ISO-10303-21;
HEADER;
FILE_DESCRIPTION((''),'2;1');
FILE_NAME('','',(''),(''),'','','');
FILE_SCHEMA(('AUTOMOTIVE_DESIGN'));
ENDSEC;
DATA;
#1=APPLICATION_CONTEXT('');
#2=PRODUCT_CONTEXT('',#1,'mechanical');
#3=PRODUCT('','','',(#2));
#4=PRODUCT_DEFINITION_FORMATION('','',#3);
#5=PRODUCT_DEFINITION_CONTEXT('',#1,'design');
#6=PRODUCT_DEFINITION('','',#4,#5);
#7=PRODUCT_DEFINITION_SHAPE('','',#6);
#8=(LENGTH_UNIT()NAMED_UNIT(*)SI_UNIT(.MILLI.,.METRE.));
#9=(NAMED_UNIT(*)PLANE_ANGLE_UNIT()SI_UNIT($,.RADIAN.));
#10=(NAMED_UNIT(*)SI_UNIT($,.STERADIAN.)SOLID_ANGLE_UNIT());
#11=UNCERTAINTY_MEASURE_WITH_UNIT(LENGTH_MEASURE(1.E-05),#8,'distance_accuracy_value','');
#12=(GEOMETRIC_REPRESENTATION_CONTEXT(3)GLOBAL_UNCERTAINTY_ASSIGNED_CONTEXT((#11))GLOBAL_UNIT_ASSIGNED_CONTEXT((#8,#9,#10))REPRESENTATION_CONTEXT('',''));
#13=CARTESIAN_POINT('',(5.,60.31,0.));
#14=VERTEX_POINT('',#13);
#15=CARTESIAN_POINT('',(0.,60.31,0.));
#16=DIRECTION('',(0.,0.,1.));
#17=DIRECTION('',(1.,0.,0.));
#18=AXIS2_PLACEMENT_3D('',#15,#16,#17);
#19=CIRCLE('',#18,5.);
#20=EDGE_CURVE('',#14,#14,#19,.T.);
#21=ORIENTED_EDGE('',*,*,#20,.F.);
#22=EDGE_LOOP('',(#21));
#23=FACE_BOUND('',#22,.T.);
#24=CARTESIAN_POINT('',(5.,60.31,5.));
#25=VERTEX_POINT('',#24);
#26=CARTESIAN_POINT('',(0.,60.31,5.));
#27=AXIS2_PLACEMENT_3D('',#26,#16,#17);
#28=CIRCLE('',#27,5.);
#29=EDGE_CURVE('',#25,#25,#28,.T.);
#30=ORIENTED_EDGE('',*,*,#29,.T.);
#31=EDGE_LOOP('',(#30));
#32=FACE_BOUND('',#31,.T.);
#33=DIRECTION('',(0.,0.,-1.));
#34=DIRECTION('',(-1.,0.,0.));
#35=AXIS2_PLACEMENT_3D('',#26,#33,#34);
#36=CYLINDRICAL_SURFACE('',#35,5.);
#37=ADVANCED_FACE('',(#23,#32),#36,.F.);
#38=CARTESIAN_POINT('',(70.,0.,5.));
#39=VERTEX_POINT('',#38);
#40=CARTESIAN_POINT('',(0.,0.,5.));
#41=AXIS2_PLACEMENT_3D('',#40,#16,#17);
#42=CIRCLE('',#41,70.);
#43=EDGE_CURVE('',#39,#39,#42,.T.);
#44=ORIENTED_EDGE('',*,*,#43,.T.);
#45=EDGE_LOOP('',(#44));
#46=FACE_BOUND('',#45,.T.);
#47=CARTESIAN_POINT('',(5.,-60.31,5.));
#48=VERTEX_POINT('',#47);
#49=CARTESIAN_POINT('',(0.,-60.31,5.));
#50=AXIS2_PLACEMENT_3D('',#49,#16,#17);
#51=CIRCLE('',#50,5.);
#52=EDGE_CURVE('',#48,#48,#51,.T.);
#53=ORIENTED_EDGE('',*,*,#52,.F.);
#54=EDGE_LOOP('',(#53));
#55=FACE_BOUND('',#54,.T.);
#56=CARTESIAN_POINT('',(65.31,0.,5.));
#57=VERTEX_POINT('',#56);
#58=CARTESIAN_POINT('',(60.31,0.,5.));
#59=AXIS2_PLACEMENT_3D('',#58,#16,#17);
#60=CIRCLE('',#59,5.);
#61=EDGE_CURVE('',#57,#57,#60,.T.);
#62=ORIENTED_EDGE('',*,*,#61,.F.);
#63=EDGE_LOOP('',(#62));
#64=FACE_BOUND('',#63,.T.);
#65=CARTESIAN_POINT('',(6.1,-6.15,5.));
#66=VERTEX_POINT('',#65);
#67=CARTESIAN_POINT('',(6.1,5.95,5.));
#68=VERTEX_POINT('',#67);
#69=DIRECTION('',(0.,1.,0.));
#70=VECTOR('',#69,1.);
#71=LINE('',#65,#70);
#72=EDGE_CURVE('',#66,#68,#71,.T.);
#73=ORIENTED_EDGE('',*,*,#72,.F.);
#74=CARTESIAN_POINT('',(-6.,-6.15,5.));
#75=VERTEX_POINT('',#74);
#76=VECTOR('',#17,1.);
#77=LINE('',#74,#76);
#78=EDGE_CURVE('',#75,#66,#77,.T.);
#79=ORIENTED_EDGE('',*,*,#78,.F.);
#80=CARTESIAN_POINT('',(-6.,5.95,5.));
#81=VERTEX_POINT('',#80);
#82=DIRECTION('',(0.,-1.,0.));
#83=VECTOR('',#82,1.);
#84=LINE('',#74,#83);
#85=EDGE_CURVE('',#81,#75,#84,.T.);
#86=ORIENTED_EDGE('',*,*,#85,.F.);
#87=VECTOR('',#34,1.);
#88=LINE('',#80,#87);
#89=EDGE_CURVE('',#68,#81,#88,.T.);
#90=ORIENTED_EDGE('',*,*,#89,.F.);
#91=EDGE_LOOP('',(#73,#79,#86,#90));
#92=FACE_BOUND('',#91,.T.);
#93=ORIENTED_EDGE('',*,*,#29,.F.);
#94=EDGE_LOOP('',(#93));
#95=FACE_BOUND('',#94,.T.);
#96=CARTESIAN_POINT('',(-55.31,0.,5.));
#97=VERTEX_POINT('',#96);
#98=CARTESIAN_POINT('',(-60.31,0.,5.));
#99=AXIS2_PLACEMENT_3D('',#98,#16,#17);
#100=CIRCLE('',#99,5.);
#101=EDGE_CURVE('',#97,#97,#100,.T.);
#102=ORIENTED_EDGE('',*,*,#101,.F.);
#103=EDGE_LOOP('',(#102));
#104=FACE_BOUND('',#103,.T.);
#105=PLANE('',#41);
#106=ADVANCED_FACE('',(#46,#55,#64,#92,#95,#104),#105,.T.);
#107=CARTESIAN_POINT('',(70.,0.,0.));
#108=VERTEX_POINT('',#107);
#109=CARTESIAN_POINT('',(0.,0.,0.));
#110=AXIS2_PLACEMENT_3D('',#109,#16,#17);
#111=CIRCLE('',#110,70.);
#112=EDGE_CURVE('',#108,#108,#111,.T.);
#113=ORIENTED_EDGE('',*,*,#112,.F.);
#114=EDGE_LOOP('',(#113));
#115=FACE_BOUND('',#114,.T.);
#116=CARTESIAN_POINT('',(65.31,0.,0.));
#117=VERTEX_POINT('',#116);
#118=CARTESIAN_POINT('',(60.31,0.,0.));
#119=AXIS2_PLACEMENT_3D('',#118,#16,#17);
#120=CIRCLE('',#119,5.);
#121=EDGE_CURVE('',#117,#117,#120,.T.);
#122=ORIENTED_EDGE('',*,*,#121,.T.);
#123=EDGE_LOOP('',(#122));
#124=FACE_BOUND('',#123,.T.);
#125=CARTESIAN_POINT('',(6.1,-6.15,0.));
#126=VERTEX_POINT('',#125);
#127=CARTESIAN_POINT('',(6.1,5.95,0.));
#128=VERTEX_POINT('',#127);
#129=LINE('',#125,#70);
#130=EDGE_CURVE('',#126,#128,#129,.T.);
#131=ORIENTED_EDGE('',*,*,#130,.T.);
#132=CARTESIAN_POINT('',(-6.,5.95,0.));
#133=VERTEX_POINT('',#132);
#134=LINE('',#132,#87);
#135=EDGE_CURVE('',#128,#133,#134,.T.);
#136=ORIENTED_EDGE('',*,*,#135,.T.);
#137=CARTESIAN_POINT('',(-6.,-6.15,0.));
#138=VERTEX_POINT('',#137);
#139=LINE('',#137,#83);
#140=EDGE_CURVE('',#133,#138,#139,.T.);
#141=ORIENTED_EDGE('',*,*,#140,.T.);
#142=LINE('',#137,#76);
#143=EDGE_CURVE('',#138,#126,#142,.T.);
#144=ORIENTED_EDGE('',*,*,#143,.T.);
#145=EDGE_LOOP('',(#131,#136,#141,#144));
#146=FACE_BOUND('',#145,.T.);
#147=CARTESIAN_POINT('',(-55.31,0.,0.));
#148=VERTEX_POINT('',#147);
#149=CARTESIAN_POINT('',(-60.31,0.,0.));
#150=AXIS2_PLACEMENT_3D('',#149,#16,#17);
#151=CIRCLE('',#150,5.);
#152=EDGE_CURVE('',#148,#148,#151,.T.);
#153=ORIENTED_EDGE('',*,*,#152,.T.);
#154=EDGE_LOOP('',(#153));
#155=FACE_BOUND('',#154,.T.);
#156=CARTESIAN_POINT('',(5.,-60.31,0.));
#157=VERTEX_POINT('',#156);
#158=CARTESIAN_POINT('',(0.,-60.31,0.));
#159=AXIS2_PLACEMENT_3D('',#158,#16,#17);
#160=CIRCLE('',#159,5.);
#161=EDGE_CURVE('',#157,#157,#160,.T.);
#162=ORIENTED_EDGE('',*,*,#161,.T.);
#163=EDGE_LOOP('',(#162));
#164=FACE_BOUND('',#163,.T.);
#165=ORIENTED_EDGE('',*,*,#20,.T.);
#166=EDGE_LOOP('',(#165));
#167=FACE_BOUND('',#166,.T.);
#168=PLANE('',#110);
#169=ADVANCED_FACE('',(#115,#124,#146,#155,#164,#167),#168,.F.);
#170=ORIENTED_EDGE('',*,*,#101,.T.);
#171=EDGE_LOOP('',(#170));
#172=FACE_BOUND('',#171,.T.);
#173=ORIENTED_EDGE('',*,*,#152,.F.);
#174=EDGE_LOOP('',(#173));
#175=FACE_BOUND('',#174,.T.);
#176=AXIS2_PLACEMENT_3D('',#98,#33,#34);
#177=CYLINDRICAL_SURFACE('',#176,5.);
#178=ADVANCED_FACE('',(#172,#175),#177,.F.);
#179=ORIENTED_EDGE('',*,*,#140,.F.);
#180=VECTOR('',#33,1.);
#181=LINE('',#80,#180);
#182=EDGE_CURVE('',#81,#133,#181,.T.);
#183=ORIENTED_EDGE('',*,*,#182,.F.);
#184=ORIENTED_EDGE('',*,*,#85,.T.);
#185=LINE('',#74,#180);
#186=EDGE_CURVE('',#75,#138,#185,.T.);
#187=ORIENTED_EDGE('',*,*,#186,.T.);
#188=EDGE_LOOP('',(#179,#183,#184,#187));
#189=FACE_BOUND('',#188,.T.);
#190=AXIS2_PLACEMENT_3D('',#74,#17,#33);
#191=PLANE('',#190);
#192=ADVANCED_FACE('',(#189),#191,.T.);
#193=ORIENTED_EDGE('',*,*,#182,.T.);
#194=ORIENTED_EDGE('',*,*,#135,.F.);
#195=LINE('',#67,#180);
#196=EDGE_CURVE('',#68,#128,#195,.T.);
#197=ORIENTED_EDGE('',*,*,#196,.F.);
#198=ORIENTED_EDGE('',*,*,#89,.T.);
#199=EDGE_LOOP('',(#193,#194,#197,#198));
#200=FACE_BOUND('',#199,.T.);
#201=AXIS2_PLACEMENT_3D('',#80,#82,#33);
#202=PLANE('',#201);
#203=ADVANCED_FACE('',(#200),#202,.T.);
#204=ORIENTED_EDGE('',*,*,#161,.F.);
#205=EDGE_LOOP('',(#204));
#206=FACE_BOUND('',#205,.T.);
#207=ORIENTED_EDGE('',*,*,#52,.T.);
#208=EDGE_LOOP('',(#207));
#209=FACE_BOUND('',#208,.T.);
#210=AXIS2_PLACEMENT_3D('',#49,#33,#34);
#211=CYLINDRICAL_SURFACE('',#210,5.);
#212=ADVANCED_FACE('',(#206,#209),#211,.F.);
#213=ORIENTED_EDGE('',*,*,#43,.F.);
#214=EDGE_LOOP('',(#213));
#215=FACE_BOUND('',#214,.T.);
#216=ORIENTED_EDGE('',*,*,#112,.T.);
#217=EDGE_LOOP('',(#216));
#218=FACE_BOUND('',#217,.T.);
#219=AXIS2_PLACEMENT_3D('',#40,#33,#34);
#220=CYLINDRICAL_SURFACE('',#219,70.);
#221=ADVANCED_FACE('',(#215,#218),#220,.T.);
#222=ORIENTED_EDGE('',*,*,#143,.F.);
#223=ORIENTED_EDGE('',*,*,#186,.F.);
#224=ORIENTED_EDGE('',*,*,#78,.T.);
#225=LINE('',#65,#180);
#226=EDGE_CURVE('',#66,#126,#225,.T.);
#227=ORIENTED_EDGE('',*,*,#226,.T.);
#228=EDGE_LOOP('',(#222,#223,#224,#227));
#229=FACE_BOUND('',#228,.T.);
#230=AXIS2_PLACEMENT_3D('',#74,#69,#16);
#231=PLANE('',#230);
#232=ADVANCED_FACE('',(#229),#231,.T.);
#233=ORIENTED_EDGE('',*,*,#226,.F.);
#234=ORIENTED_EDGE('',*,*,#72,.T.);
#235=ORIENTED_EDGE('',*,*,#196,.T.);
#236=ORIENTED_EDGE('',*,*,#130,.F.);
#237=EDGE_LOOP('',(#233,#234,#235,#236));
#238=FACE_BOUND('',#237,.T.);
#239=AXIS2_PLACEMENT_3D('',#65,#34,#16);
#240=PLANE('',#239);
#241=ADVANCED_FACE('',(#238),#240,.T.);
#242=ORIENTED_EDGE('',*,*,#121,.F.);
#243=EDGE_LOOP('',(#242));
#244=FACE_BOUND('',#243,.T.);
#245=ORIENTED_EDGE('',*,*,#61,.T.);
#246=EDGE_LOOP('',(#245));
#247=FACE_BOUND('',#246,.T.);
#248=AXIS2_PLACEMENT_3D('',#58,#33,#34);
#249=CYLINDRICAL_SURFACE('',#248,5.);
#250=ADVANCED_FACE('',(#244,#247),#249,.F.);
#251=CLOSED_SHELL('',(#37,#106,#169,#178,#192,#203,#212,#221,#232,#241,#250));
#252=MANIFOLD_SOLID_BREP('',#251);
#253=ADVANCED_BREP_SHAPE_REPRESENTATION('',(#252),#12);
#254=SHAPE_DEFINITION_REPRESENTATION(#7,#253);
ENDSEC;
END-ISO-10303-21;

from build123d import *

# Parameters (mm, degrees)
SKETCH1_R           = 70
SKETCH1_R_2         = 5
SKETCH1_W           = 12.1
SKETCH1_H           = 12.1
BOSS_EXTRUDE1_DEPTH = 5


with BuildPart() as part:
    # Sketch1 → Boss-Extrude1 (new body)
    with BuildSketch(Plane.XY):
        Circle(SKETCH1_R)
        with Locations((0, 60.31)):
            Circle(SKETCH1_R_2, mode=Mode.SUBTRACT)
        with Locations((60.31, 0)):
            Circle(SKETCH1_R_2, mode=Mode.SUBTRACT)
        with Locations((0, -60.31)):
            Circle(SKETCH1_R_2, mode=Mode.SUBTRACT)
        with Locations((-60.31, 0)):
            Circle(SKETCH1_R_2, mode=Mode.SUBTRACT)
        with Locations((0.05, -0.1)):
            Rectangle(SKETCH1_W, SKETCH1_H, mode=Mode.SUBTRACT)
    extrude(amount=BOSS_EXTRUDE1_DEPTH)


solid = part.part
